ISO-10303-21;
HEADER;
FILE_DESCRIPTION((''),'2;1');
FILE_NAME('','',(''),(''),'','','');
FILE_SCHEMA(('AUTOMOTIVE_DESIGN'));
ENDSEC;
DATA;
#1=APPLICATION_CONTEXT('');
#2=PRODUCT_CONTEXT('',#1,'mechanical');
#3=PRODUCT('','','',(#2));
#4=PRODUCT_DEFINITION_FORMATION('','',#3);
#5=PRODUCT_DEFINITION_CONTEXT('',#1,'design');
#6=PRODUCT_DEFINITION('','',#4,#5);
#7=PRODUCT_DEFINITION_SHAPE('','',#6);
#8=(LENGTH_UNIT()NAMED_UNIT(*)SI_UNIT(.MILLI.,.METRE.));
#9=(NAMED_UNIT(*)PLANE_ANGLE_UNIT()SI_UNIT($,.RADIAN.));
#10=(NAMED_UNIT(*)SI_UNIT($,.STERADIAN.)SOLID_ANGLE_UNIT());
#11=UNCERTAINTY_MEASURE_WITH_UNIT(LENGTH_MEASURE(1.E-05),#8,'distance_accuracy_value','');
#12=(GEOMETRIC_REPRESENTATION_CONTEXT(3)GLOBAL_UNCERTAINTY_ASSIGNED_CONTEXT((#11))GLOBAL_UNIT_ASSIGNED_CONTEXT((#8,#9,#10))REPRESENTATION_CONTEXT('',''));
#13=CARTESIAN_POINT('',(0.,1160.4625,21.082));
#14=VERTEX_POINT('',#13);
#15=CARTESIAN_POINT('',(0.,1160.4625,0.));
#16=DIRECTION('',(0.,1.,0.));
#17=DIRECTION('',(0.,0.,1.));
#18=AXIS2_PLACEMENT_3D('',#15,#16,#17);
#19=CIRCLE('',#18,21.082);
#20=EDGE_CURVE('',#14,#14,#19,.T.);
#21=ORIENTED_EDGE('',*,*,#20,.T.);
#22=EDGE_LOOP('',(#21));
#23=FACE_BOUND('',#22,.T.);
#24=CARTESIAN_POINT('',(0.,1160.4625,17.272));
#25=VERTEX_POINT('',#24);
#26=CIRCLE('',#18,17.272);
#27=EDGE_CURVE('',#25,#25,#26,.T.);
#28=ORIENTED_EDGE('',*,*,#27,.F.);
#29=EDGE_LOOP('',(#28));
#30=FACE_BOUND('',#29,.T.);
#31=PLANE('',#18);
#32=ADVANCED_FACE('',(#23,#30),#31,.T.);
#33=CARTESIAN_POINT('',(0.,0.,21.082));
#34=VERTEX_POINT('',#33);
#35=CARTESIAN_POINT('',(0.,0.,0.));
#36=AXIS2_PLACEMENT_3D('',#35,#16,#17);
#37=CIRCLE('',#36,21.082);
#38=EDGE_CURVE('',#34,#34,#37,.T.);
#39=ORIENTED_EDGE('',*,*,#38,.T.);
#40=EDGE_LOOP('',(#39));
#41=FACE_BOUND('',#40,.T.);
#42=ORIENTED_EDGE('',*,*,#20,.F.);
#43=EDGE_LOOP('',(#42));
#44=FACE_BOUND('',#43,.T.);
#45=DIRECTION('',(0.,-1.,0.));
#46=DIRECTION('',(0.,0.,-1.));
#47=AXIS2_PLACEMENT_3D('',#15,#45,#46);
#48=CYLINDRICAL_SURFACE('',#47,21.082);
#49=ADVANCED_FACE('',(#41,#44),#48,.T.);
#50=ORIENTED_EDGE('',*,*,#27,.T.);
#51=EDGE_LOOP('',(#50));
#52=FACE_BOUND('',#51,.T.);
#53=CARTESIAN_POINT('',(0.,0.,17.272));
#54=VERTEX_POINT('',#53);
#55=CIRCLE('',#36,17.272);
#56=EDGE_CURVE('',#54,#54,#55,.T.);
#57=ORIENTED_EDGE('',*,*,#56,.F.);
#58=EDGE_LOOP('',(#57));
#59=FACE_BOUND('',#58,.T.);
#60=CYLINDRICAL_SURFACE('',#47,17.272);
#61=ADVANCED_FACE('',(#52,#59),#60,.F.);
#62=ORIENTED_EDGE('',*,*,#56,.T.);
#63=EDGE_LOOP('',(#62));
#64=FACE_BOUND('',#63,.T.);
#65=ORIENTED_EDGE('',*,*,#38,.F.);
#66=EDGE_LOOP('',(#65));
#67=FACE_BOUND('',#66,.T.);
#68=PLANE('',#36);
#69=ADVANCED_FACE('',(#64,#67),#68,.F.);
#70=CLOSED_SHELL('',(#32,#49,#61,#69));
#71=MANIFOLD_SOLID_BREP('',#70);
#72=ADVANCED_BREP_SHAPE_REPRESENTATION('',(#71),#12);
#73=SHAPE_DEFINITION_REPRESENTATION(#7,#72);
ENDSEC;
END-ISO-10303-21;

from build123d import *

# Parameters (mm, degrees)
SKETCH1_R           = 21.082
SKETCH1_R_2         = 17.272
BOSS_EXTRUDE1_DEPTH = 1160.4625


with BuildPart() as part:
    # Sketch1 → Boss-Extrude1 (new body)
    with BuildSketch(Plane(origin=(0, 0, 0), x_dir=(1, 0, 0), z_dir=(0, 1, 0))):
        with Locations(Location((0, 0, 0), (0, 0, 270))):
            Circle(SKETCH1_R)
        with Locations(Location((0, 0, 0), (0, 0, 270))):
            Circle(SKETCH1_R_2, mode=Mode.SUBTRACT)
    extrude(amount=BOSS_EXTRUDE1_DEPTH)


solid = part.part
